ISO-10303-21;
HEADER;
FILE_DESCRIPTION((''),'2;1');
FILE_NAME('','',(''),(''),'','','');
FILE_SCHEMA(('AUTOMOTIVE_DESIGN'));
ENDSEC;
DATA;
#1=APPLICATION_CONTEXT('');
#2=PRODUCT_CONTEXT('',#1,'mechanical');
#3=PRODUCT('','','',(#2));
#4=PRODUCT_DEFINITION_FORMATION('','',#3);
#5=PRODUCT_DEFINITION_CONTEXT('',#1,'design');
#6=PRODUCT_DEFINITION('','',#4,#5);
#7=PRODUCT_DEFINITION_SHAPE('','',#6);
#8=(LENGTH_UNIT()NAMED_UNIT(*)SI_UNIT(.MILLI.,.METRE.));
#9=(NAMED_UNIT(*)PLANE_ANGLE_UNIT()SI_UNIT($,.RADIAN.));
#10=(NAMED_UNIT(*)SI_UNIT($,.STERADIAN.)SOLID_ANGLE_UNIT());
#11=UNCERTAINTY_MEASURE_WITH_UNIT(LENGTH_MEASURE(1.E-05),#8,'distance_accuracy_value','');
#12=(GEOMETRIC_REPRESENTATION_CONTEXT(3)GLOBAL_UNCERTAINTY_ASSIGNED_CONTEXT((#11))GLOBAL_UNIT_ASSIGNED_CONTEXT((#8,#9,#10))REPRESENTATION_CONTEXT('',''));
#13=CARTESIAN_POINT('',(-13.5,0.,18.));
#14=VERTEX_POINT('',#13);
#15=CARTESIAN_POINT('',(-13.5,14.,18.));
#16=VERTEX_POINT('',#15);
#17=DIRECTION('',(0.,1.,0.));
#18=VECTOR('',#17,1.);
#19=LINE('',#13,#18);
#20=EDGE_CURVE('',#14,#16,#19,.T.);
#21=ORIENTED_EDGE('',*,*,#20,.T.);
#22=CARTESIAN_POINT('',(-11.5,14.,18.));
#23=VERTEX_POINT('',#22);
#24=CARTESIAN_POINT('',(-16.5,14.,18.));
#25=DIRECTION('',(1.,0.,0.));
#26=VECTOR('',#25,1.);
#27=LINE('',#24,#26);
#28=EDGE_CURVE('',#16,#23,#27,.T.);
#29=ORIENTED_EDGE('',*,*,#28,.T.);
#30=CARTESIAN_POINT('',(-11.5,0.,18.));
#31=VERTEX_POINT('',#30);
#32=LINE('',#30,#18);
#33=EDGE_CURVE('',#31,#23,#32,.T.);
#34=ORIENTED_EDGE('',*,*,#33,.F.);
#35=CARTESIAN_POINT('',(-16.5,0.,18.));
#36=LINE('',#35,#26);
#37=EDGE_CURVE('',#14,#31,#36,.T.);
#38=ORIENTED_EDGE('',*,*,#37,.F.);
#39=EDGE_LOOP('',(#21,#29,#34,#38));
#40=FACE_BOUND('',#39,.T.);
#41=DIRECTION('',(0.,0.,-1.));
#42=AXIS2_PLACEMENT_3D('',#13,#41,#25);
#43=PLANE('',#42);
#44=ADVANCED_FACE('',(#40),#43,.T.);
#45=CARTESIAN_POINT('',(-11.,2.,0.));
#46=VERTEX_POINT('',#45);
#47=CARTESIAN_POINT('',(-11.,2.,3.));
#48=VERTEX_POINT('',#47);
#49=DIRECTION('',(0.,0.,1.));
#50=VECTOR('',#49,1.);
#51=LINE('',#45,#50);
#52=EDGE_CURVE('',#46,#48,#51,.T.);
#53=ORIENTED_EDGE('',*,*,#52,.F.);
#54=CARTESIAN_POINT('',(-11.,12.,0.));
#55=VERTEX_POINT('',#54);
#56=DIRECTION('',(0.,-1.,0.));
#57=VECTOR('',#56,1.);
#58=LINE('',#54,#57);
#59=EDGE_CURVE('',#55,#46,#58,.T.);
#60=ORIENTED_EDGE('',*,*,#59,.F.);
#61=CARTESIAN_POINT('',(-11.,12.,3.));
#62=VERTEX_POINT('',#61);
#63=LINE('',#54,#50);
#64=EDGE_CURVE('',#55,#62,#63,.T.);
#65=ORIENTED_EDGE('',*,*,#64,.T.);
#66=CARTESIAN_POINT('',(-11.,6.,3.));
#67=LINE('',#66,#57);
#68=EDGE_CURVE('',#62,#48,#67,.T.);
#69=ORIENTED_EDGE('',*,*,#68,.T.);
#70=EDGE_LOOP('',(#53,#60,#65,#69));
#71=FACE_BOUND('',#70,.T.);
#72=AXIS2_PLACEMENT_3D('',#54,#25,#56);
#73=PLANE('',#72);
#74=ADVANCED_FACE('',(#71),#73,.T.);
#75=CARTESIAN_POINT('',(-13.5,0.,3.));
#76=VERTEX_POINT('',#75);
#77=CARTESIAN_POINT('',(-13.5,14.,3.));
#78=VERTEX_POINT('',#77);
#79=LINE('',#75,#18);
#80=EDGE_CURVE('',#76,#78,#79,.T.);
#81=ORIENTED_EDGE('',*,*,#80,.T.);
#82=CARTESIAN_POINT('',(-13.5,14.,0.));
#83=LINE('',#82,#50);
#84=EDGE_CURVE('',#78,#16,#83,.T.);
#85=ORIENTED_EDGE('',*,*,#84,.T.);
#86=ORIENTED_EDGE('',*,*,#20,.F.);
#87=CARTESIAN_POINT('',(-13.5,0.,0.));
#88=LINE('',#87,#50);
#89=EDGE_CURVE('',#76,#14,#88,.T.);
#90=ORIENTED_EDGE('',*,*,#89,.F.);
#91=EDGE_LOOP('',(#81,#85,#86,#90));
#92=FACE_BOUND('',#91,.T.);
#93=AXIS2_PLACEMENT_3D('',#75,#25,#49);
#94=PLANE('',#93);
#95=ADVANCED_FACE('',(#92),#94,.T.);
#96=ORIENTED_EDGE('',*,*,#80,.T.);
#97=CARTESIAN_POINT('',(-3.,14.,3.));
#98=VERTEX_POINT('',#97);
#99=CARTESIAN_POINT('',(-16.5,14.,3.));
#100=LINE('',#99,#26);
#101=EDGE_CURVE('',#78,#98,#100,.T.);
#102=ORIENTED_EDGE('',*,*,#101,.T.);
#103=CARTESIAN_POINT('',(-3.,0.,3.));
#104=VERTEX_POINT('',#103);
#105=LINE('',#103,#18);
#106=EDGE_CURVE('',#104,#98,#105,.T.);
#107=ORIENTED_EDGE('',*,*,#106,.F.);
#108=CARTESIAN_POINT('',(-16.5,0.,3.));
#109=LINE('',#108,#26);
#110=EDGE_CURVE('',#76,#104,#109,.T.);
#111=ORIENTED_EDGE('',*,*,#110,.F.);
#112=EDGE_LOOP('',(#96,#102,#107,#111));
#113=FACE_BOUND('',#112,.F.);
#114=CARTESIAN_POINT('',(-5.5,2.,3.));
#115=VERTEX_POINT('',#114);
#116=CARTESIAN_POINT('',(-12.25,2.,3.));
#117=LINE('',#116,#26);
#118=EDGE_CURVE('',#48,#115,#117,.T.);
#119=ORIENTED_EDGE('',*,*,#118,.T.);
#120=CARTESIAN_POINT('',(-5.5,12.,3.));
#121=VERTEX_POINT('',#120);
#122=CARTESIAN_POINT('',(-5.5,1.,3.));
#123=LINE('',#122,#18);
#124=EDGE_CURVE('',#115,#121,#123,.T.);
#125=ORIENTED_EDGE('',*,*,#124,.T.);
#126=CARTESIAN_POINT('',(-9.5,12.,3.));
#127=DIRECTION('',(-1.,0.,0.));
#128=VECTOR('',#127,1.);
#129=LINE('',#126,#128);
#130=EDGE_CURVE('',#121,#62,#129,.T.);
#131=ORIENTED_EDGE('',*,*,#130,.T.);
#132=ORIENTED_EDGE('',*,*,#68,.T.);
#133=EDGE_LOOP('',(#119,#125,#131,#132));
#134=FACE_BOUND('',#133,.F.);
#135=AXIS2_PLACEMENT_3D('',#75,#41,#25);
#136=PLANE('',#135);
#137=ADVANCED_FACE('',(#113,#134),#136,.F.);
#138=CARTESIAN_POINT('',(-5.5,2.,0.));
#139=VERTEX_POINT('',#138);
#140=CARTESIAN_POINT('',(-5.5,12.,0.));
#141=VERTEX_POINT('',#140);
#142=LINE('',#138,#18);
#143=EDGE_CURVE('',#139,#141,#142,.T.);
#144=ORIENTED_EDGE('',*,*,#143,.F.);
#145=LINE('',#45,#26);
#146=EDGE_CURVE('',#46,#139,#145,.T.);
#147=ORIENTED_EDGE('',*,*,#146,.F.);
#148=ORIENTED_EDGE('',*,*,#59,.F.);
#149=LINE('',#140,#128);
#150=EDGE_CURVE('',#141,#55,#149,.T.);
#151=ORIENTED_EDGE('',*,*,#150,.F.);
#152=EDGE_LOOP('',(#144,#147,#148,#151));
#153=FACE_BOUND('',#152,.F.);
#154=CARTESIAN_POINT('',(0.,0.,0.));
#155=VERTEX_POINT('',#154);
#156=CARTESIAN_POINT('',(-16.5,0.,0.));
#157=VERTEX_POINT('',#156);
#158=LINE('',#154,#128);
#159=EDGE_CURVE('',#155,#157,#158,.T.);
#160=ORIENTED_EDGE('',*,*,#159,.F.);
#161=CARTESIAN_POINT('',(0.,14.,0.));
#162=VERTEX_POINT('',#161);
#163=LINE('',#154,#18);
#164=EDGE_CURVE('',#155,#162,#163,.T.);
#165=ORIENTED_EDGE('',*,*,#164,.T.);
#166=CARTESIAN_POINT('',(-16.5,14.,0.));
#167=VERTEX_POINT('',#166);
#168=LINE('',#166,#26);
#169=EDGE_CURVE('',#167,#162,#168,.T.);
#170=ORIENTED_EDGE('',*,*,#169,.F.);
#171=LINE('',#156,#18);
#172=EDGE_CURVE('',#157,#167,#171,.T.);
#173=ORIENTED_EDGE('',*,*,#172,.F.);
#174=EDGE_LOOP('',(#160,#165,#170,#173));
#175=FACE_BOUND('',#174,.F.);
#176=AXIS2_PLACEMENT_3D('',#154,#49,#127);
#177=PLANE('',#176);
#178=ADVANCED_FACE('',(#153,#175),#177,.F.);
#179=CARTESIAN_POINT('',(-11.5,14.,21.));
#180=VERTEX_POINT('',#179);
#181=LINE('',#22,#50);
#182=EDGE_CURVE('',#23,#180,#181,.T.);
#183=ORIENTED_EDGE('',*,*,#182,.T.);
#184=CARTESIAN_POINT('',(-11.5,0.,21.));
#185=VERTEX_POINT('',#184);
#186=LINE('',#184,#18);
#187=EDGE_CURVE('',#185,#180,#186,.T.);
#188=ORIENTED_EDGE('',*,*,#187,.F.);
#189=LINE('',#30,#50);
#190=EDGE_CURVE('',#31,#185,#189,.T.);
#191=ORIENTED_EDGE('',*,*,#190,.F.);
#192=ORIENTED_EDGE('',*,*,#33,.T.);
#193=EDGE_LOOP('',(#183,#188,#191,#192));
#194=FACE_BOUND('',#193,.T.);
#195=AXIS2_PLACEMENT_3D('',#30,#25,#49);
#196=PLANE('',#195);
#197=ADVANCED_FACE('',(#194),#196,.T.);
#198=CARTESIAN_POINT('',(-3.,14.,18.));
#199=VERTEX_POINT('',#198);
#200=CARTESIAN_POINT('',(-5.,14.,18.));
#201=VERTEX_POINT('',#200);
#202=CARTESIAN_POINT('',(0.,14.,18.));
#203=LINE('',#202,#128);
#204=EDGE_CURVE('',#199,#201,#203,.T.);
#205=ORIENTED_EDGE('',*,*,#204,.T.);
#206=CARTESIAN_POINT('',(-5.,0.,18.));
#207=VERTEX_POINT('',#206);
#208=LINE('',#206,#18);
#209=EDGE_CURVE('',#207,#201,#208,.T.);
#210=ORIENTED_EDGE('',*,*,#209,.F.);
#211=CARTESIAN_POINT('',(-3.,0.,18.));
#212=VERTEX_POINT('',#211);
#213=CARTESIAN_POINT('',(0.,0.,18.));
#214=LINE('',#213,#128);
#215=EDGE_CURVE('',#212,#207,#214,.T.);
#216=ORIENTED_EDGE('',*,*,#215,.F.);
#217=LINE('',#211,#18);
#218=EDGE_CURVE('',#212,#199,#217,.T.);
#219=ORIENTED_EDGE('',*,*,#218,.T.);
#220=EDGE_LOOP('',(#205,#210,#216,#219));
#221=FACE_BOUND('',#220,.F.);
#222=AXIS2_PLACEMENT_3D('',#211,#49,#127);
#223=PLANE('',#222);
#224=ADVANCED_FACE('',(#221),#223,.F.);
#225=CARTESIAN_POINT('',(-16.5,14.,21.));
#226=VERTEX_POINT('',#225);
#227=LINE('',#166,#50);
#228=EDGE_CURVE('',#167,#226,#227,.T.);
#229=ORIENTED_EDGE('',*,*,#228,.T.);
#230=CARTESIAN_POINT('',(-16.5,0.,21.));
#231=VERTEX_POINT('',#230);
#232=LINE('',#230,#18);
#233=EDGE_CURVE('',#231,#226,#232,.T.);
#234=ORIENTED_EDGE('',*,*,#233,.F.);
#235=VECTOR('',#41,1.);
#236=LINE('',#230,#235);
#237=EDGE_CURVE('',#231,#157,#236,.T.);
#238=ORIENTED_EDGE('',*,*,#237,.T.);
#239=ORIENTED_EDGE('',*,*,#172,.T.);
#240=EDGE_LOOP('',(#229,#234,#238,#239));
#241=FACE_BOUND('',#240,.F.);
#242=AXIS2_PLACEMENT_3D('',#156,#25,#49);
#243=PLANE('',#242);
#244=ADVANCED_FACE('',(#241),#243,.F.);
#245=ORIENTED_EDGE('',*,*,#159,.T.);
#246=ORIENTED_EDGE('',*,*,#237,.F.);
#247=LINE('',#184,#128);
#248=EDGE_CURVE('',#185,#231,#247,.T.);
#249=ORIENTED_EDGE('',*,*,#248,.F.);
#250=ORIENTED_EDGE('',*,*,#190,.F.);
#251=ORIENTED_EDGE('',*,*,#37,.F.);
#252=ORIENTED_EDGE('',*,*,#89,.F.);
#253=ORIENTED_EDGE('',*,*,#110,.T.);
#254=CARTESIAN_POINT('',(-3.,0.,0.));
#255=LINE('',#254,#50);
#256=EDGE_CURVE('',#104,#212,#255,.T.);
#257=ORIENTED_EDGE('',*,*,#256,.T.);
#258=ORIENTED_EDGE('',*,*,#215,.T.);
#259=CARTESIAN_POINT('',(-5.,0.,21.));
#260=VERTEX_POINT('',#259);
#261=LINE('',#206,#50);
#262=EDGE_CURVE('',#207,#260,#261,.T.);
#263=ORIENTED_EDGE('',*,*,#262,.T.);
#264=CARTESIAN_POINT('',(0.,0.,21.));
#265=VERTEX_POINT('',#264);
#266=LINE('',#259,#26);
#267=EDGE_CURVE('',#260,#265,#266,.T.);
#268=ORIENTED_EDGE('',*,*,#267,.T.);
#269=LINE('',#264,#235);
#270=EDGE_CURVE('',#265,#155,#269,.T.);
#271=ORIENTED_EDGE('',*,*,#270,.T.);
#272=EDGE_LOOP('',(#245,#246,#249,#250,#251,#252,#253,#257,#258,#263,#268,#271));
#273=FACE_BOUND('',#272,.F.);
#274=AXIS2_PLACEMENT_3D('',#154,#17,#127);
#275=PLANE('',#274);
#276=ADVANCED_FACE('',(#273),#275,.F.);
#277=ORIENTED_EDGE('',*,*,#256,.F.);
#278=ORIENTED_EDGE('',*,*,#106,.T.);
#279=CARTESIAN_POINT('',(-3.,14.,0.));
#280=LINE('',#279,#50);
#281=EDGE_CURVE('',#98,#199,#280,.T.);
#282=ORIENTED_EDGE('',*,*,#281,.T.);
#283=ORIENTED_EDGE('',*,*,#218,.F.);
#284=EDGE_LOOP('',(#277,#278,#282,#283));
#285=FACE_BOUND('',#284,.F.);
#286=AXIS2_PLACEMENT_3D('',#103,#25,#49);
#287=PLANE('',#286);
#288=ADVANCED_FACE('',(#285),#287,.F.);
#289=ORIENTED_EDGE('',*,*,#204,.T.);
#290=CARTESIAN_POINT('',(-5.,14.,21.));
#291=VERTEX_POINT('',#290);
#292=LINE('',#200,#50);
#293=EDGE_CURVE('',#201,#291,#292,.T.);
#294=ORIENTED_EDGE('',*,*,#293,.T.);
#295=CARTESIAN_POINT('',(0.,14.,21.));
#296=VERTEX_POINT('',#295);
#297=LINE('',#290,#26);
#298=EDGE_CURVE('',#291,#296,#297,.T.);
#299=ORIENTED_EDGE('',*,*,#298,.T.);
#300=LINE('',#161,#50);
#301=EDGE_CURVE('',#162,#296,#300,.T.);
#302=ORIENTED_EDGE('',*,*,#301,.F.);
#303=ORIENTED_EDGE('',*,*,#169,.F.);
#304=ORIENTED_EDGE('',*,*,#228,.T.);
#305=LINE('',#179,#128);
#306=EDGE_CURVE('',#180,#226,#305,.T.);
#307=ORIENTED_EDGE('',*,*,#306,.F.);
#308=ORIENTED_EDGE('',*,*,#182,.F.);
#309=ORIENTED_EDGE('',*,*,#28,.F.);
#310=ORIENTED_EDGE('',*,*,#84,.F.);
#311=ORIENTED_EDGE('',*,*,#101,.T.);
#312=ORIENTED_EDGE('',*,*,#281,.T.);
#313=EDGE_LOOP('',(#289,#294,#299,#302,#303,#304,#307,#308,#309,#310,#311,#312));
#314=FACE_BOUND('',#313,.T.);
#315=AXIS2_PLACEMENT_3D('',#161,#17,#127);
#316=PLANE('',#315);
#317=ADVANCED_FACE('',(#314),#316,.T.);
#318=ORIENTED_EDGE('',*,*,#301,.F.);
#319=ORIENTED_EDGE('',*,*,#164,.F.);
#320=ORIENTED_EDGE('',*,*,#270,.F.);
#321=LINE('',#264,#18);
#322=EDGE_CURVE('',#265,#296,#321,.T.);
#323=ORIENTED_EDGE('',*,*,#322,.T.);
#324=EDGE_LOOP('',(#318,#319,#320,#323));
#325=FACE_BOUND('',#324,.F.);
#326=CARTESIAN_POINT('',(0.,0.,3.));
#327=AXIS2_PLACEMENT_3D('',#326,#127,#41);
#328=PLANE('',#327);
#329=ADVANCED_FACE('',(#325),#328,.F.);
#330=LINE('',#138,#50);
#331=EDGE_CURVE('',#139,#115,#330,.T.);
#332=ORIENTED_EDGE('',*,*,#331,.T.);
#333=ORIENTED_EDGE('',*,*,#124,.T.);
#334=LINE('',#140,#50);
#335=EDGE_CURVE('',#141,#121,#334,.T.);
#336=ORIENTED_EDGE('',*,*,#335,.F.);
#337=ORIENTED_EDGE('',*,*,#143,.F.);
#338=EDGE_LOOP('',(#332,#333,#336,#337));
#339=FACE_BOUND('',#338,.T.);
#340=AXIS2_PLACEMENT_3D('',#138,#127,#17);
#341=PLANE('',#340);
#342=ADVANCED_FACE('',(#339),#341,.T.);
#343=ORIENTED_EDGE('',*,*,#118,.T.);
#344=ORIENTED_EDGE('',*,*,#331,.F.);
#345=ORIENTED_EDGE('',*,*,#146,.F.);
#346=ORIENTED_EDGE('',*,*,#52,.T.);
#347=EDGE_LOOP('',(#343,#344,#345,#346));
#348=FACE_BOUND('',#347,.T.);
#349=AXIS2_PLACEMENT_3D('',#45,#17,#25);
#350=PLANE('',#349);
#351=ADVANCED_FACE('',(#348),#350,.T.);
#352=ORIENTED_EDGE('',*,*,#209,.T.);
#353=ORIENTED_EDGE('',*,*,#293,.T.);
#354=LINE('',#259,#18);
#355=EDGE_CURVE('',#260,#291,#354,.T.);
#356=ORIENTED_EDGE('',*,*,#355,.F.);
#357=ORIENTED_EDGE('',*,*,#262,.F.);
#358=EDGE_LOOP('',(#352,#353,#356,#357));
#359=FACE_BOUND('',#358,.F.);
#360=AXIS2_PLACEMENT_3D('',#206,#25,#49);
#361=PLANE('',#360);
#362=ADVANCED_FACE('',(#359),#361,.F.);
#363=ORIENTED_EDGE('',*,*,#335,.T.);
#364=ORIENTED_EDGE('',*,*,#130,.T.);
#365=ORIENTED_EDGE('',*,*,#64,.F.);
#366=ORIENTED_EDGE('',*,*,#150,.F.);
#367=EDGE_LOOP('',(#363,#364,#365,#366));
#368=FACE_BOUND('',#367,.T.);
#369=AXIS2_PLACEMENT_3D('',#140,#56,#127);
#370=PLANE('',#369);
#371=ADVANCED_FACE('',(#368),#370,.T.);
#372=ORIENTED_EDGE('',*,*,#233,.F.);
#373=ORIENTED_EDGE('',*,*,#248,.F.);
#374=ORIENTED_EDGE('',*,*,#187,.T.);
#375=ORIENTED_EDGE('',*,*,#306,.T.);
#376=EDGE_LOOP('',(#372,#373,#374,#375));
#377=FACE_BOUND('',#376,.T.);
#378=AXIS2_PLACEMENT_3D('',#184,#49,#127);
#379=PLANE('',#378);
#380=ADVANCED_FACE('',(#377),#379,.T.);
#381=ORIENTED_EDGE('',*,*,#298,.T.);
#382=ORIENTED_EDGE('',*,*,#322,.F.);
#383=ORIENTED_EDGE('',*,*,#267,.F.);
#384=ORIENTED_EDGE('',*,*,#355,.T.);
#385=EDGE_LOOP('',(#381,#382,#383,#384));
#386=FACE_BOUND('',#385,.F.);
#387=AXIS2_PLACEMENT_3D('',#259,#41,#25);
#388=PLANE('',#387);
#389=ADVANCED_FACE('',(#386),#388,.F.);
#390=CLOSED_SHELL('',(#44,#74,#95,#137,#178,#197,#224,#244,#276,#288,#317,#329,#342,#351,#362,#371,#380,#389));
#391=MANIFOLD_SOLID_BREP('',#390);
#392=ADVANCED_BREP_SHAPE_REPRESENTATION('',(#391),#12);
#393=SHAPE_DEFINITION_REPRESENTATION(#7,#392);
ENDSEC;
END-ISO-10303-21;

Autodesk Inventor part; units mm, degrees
ref_plane "YZ Plane" through (0, 0, 0) normal (1, 0, 0) x (0, 1, 0)
ref_plane "XZ Plane" through (0, 0, 0) normal (0, 1, 0) x (-1, 0, 0)
ref_plane "XY Plane" through (0, 0, 0) normal (0, 0, 1) x (1, 0, 0)
sketch "Boceto1" plane through (0, 0, 0) normal (0, 1, 0) x (-1, 0, 0)
  line L0 (0, 0) -> (3, 0)
  line L1 (3, 0) -> (3, 18)
  line L2 (3, 18) -> (0, 18)
  line L3 (0, 18) -> (0, 0)
  line L4 (0, 0) -> (16.5, 0)
  line L5 (16.5, 0) -> (16.5, 3)
  line L6 (16.5, 3) -> (0, 3)
  line L7 (0, 3) -> (0, 0)
  line L8 (16.5, 0) -> (13.5, 0)
  line L9 (13.5, 0) -> (13.5, 18)
  line L10 (13.5, 18) -> (16.5, 18)
  line L11 (16.5, 18) -> (16.5, 0)
  line L12 (0, 18) -> (5, 18)
  line L13 (5, 18) -> (5, 21)
  line L14 (5, 21) -> (0, 21)
  line L15 (0, 21) -> (0, 18)
  line L16 (16.5, 18) -> (11.5, 18)
  line L17 (11.5, 18) -> (11.5, 21)
  line L18 (11.5, 21) -> (16.5, 21)
  line L19 (16.5, 21) -> (16.5, 18)
  dimension "d0" = 3
  dimension "d1" = 18
  dimension "d2" = 16.5
  dimension "d3" = 3
  dimension "d4" = 18
  dimension "d5" = 5
  dimension "d6" = 5
  dimension "d14" = 3
  dimension "d15" = 3
extrude "Extrusión1" add sketch "Boceto1" along normal blind 14
sketch "Boceto3" plane through (0, 0, 0) normal (0, 0, -1) x (-1, 0, 0)
  line L0 (11, 2) -> (5.5, 2)
  line L1 (5.5, 2) -> (5.5, 12)
  line L2 (5.5, 12) -> (11, 12)
  line L3 (11, 12) -> (11, 2)
  line L4 (11, 2) -> (5.5, 12) construction
  line L5 (5.5, 2) -> (11, 12) construction
  point P0 (8.25, 7)
  dimension "d10" = 5.5
  dimension "d11" = 10
extrude "Extrusión2" cut sketch "Boceto3" against normal blind 10
properties part number "SoporteVentosa"
